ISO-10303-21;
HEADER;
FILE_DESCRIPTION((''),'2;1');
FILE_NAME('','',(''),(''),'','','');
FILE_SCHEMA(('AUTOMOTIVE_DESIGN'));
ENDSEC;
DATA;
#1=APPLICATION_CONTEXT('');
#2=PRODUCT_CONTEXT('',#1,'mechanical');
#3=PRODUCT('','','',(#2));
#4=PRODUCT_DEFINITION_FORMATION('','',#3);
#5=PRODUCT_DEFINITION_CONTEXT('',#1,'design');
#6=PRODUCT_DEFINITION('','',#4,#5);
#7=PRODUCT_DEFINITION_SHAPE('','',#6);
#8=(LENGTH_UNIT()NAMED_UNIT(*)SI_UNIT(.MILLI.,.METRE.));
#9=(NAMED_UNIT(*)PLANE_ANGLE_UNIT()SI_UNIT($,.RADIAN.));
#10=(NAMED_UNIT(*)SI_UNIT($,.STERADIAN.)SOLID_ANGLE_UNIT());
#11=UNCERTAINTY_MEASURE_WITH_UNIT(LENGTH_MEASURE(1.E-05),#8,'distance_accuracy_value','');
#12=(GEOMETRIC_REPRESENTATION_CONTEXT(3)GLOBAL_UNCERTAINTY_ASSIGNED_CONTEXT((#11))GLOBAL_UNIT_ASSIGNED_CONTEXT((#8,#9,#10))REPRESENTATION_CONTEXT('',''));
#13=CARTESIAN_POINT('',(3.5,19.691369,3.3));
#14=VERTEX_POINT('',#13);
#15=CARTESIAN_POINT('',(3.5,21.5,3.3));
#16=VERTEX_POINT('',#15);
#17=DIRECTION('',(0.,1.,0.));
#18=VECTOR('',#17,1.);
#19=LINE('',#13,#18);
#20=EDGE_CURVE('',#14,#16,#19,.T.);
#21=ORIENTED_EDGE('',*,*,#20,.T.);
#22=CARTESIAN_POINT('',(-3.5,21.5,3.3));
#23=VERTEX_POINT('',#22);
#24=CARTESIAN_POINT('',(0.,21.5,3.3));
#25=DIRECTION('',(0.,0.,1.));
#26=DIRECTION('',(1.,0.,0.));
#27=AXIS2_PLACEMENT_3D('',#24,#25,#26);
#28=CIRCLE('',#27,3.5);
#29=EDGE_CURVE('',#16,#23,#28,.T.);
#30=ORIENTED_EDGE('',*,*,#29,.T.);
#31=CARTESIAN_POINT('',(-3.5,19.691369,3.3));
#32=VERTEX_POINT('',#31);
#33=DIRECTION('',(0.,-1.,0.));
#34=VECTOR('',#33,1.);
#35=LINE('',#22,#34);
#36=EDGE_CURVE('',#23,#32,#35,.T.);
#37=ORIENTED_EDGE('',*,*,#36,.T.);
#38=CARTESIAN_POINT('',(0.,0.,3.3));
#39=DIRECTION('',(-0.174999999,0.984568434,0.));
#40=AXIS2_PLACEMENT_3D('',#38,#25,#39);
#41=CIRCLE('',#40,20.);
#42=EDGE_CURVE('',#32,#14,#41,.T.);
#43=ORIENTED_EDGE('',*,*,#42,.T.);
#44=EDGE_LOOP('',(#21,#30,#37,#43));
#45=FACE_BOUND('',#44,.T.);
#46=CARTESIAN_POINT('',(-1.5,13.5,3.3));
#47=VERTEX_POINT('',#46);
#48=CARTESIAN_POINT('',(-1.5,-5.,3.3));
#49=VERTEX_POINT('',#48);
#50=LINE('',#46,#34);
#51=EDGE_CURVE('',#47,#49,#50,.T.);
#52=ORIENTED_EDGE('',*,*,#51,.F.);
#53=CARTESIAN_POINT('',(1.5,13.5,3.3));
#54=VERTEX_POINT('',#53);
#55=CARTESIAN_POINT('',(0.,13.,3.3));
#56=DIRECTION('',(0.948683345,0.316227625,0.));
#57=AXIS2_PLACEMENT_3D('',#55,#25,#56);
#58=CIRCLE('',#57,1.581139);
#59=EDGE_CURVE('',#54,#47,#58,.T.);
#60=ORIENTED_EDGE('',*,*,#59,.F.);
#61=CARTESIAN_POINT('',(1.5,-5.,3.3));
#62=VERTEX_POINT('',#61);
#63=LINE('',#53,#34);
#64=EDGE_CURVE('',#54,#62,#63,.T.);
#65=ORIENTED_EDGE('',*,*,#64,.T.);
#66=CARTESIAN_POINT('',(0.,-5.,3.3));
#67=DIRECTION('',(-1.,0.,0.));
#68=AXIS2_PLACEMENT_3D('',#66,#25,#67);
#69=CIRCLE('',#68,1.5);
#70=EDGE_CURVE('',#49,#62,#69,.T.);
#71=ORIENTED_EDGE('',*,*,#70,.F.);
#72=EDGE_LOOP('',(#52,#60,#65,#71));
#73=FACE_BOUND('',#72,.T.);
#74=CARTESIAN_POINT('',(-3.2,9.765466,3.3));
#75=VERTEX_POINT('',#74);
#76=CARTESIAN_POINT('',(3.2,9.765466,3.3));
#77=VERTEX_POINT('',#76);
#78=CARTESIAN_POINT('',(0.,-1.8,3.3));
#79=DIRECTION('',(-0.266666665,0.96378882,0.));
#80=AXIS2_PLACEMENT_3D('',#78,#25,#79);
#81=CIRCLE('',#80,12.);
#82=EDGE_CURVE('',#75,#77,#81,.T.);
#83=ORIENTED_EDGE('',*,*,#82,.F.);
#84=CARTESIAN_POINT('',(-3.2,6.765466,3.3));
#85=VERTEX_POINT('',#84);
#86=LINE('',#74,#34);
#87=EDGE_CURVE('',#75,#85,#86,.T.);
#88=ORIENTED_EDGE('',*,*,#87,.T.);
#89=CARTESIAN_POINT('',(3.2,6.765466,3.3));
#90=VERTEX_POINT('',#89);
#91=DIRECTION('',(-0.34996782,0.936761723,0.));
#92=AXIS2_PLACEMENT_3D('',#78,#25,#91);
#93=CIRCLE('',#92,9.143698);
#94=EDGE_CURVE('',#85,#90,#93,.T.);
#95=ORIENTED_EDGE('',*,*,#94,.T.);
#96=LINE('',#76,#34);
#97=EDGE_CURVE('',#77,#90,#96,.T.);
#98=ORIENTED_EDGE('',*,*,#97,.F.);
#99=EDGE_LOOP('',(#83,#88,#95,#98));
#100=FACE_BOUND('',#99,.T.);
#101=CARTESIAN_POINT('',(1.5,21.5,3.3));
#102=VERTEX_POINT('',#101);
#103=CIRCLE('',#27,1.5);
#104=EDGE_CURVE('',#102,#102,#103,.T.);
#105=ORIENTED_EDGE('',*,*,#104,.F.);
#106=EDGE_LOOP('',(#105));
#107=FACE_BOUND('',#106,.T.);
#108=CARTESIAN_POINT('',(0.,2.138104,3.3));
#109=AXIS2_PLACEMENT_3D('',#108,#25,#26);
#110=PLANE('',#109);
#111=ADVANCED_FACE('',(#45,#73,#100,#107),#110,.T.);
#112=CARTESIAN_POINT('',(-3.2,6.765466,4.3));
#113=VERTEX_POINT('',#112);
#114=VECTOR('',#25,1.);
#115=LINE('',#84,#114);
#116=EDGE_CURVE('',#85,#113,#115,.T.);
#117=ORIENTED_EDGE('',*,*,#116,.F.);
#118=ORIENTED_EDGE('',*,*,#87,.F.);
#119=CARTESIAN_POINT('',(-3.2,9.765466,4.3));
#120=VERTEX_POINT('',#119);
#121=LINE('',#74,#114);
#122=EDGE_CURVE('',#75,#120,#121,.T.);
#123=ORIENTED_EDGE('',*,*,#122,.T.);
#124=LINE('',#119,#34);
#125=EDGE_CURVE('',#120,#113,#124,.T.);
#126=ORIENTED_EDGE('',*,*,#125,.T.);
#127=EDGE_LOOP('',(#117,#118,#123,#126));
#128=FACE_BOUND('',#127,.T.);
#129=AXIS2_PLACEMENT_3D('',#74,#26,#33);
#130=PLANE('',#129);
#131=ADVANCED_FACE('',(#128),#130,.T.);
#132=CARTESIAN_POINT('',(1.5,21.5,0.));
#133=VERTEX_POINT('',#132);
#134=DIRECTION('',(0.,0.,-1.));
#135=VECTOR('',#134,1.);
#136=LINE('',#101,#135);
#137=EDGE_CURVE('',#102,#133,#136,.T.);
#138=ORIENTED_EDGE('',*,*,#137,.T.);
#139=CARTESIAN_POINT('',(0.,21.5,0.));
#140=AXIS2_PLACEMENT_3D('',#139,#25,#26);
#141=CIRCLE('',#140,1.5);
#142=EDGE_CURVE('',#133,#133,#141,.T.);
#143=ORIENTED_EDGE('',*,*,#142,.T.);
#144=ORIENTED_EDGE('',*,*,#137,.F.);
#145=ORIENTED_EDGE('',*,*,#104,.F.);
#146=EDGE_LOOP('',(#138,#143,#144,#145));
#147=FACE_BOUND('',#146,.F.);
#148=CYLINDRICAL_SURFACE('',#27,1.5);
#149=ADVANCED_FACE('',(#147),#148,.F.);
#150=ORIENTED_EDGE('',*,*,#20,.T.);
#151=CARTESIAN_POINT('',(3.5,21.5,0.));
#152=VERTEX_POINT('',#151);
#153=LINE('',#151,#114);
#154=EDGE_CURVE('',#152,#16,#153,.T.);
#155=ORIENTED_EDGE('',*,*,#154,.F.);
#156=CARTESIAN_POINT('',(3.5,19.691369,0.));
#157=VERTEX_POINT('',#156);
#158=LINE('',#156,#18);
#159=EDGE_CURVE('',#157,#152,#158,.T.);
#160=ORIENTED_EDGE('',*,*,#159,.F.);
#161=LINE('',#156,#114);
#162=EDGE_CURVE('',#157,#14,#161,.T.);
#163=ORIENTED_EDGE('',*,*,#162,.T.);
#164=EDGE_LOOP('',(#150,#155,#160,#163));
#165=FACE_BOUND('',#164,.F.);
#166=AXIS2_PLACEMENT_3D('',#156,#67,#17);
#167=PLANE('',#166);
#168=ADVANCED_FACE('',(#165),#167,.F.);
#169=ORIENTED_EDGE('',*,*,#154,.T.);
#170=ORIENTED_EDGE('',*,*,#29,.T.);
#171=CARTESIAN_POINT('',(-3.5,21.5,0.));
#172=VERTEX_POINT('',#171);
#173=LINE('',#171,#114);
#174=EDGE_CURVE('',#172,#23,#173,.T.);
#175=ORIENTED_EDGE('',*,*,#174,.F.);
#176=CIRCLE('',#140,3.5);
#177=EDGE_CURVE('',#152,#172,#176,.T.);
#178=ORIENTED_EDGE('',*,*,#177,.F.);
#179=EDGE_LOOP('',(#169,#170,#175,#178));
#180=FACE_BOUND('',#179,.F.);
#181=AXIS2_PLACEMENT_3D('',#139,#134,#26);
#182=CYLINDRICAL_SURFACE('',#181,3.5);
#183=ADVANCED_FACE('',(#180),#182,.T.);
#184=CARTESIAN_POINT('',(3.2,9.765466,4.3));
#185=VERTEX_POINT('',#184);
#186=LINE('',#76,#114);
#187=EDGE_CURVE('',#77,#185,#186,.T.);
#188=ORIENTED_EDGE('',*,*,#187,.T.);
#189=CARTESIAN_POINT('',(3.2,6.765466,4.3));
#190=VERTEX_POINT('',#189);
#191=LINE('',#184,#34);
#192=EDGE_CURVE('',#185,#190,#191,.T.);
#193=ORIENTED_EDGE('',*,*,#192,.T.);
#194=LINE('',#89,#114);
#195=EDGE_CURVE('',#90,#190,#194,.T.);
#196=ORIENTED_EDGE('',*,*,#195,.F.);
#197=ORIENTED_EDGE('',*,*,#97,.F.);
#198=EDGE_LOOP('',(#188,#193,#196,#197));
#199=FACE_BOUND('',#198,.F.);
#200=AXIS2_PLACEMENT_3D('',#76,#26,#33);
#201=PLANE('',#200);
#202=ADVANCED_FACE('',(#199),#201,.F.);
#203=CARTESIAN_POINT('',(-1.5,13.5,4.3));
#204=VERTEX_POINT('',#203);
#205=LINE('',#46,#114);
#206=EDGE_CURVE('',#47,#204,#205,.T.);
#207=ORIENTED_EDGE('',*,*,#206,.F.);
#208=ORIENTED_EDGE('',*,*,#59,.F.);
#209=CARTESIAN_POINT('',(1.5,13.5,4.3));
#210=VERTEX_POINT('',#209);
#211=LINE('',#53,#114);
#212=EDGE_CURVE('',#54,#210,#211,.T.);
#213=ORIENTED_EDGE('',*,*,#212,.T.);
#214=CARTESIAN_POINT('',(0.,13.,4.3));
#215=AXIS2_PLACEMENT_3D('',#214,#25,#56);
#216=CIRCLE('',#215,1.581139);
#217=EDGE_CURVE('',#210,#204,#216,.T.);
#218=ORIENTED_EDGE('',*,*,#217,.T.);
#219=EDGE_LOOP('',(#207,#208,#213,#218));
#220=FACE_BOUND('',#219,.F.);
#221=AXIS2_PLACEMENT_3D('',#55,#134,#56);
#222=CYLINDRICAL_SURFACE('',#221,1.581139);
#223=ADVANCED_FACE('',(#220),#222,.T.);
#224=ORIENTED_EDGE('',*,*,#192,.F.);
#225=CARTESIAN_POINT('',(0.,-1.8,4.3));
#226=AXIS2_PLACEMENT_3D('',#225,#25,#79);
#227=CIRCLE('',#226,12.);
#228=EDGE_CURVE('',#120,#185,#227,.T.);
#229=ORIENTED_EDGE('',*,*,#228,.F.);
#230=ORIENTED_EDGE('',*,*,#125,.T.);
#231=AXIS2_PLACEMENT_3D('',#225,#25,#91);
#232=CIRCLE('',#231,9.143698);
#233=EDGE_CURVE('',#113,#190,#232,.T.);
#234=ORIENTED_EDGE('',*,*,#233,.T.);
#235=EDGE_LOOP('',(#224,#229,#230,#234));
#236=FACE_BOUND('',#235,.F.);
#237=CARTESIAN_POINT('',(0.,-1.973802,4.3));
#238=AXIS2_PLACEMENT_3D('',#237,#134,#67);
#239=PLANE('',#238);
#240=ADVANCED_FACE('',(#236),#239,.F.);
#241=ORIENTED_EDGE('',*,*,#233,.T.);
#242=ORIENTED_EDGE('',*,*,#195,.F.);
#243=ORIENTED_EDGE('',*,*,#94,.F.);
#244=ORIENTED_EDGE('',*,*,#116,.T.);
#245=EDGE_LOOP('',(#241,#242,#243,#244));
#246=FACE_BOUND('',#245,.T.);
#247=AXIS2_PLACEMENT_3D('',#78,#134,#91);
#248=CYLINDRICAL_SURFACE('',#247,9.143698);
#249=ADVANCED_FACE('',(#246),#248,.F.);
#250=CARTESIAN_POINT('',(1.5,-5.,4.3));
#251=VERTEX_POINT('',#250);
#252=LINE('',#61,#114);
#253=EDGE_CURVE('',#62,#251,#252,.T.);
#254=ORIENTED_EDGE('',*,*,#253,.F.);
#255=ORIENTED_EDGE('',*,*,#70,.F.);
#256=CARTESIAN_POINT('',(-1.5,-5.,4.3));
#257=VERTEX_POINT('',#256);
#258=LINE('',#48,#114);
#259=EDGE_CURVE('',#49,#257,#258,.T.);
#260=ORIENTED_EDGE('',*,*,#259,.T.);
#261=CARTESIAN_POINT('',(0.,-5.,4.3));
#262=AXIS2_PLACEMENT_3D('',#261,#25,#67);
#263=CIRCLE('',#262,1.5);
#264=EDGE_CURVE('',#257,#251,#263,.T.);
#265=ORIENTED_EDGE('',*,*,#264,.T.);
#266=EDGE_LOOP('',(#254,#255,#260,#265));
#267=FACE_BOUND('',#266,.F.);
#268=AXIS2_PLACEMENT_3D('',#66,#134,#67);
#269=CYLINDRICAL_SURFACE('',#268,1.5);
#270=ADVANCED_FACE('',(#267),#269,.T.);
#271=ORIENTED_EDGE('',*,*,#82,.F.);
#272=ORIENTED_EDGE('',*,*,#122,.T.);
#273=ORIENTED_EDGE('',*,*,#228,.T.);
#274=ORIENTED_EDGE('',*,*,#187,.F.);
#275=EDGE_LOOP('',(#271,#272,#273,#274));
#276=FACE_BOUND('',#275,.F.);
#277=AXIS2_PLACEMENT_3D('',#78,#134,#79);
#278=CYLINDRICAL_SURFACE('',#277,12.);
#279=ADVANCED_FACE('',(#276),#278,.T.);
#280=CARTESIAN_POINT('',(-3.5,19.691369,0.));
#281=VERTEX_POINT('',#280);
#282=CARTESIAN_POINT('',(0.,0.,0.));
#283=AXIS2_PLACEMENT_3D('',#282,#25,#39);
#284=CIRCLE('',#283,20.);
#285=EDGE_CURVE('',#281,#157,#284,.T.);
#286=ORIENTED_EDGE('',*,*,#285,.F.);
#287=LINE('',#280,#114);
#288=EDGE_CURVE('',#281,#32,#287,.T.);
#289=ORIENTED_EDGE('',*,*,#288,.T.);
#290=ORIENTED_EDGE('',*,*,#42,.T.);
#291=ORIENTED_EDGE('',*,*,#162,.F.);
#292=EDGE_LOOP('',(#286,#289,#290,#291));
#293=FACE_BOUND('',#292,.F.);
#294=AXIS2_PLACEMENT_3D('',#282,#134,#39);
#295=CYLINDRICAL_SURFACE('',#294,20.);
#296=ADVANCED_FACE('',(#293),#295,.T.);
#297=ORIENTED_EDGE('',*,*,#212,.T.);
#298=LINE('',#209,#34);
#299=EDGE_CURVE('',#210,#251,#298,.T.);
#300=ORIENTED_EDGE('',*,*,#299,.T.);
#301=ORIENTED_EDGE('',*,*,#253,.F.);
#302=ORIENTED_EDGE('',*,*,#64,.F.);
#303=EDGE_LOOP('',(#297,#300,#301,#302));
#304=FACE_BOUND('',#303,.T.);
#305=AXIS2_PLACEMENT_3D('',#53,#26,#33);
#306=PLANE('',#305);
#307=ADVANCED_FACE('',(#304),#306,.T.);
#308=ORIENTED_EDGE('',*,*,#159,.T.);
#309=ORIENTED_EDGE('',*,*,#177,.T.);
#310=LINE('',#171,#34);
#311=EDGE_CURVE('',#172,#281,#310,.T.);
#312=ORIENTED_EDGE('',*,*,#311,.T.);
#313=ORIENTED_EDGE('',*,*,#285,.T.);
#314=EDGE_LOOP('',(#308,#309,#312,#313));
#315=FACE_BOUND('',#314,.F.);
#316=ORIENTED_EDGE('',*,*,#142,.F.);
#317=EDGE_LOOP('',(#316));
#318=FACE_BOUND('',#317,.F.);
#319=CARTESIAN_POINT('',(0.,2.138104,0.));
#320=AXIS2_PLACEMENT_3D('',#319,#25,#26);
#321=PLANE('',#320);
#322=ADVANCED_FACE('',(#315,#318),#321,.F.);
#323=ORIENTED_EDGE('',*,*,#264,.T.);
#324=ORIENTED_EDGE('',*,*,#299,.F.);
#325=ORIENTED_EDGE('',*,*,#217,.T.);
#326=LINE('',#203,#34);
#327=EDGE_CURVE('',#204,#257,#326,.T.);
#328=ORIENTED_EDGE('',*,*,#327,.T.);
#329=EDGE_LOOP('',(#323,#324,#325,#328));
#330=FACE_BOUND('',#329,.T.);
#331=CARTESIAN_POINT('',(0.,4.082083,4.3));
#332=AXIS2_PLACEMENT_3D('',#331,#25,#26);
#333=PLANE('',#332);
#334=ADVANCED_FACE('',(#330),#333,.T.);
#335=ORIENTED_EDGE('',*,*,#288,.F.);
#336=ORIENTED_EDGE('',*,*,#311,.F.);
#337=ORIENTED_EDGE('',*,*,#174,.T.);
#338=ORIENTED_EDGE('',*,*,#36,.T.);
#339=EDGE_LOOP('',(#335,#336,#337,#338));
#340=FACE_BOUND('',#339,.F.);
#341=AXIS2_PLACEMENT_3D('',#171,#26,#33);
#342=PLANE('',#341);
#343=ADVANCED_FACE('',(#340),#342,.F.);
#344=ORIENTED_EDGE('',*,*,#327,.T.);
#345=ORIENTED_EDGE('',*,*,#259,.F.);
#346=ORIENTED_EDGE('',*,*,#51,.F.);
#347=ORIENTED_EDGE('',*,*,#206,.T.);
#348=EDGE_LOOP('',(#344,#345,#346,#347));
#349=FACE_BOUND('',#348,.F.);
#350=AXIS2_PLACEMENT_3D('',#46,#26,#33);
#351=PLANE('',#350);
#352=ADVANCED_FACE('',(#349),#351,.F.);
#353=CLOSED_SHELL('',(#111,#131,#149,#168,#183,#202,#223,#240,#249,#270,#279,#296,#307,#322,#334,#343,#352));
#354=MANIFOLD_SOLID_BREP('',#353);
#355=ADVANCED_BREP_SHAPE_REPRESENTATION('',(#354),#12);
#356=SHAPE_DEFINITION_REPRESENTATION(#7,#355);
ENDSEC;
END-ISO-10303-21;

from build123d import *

# Parameters (mm, degrees)
EXTRUDE_DEPTH = 3.3
SKETCH001_R   = 1.5
POCKET_DEPTH  = 3.301
PAD_DEPTH     = 1


with BuildPart() as part:
    # Sketch → Extrude (new body)
    with BuildSketch(Plane.XY):
        with BuildLine():
            ThreePointArc((3.5, 21.5), (0, 25), (-3.5, 21.5))
            Line((-3.5, 21.5), (-3.5, 19.691369))
            ThreePointArc((-3.5, 19.691369), (0, -20), (3.5, 19.691369))
            Line((3.5, 19.691369), (3.5, 21.5))
        make_face()
    extrude(amount=EXTRUDE_DEPTH)

    # Sketch001 (on Face6 of Extrude) → Pocket (cut, through all)
    with BuildSketch(Plane.XY.offset(3.3)):
        with Locations((0, 21.5)):
            Circle(SKETCH001_R)
    extrude(amount=-POCKET_DEPTH, mode=Mode.SUBTRACT)

    # Sketch002 (on Face1 of CopyClone) → Pad (join)
    with BuildSketch(Plane.XY.offset(3.3)):
        with BuildLine():
            Line((-1.5, 13.5), (-1.5, -5))
            ThreePointArc((-1.5, -5), (0, -6.5), (1.5, -5))
            Line((1.5, 13.5), (1.5, -5))
            ThreePointArc((1.5, 13.5), (0, 14.581139), (-1.5, 13.5))
        make_face()
        with BuildLine():
            Line((-3.2, 9.765466), (-3.2, 6.765466))
            ThreePointArc((-3.2, 6.765466), (0, -10.943698), (3.2, 6.765466))
            Line((3.2, 9.765466), (3.2, 6.765466))
            ThreePointArc((-3.2, 9.765466), (0, -13.8), (3.2, 9.765466))
        make_face()
    extrude(amount=PAD_DEPTH)


solid = part.part
